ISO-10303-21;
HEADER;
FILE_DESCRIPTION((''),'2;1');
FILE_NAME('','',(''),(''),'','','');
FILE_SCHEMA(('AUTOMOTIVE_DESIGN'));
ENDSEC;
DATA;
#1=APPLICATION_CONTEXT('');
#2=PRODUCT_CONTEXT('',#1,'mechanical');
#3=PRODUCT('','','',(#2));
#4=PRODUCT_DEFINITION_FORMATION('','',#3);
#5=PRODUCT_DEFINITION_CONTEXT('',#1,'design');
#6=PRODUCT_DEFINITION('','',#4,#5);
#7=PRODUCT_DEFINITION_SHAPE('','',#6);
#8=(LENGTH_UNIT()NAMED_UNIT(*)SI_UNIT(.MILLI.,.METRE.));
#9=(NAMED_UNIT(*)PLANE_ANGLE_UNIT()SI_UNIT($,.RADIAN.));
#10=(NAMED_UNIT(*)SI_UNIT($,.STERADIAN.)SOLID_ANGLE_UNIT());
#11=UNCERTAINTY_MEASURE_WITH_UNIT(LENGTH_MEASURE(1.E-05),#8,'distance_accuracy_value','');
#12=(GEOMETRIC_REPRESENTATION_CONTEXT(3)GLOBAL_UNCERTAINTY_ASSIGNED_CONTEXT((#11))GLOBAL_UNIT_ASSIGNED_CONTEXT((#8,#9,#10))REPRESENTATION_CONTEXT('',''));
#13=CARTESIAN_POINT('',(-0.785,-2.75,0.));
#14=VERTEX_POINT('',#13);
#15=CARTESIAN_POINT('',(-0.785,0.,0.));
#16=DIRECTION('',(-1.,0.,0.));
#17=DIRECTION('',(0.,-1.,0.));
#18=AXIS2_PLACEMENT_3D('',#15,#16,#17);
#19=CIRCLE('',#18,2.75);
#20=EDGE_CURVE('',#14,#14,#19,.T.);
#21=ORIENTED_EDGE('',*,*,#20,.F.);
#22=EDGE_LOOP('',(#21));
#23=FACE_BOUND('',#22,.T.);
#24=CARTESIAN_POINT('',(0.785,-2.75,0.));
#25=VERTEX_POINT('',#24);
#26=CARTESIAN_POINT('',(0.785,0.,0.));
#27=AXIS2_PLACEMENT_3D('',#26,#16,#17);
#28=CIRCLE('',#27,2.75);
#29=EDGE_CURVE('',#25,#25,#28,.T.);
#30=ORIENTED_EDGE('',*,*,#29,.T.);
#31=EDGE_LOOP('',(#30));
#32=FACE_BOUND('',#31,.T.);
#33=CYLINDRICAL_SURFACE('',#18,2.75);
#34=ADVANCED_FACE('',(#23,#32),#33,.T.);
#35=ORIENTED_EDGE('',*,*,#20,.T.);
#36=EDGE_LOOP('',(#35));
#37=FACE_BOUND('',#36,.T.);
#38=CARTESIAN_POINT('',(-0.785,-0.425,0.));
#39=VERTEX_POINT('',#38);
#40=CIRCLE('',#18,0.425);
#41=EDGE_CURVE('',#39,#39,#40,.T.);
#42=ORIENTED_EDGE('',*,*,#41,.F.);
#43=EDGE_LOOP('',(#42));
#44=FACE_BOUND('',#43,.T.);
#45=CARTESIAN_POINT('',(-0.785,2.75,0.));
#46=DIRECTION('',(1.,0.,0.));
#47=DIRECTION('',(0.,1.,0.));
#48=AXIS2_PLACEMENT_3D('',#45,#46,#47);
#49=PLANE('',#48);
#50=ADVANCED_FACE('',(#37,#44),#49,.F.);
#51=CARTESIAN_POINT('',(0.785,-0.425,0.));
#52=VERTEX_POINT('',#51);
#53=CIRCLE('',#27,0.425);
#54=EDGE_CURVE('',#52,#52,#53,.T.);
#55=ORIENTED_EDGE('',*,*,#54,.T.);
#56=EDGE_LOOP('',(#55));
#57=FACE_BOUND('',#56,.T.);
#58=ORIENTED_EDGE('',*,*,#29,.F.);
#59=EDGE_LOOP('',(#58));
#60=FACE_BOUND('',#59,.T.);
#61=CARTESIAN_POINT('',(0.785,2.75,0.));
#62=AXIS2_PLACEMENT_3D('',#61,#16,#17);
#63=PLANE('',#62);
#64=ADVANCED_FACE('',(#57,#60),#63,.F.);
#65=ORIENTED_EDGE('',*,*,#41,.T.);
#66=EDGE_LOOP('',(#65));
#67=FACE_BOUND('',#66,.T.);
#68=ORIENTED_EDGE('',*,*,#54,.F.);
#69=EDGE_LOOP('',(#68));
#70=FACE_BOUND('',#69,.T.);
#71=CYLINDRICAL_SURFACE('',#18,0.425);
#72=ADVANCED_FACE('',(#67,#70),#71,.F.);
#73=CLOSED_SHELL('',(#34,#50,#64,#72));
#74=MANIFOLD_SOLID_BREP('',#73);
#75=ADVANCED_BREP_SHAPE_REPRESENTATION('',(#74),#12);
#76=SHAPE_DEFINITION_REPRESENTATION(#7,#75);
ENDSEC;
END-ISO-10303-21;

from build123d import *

# Parameters (mm, degrees)
SKETCH1_W = 1.57
SKETCH1_H = 2.325


with BuildPart() as part:
    # Sketch1 → Revolve1 (revolve)
    with BuildSketch(Plane.XY, mode=Mode.PRIVATE) as revolve1_sk:
        with Locations((0, 1.5875)):
            Rectangle(SKETCH1_W, SKETCH1_H)
    revolve(revolve1_sk.sketch.rotate(Axis((-0.785, 0, 0), (1, 0, 0)), 180), axis=Axis((-0.785, 0, 0), (1, 0, 0)))


solid = part.part
